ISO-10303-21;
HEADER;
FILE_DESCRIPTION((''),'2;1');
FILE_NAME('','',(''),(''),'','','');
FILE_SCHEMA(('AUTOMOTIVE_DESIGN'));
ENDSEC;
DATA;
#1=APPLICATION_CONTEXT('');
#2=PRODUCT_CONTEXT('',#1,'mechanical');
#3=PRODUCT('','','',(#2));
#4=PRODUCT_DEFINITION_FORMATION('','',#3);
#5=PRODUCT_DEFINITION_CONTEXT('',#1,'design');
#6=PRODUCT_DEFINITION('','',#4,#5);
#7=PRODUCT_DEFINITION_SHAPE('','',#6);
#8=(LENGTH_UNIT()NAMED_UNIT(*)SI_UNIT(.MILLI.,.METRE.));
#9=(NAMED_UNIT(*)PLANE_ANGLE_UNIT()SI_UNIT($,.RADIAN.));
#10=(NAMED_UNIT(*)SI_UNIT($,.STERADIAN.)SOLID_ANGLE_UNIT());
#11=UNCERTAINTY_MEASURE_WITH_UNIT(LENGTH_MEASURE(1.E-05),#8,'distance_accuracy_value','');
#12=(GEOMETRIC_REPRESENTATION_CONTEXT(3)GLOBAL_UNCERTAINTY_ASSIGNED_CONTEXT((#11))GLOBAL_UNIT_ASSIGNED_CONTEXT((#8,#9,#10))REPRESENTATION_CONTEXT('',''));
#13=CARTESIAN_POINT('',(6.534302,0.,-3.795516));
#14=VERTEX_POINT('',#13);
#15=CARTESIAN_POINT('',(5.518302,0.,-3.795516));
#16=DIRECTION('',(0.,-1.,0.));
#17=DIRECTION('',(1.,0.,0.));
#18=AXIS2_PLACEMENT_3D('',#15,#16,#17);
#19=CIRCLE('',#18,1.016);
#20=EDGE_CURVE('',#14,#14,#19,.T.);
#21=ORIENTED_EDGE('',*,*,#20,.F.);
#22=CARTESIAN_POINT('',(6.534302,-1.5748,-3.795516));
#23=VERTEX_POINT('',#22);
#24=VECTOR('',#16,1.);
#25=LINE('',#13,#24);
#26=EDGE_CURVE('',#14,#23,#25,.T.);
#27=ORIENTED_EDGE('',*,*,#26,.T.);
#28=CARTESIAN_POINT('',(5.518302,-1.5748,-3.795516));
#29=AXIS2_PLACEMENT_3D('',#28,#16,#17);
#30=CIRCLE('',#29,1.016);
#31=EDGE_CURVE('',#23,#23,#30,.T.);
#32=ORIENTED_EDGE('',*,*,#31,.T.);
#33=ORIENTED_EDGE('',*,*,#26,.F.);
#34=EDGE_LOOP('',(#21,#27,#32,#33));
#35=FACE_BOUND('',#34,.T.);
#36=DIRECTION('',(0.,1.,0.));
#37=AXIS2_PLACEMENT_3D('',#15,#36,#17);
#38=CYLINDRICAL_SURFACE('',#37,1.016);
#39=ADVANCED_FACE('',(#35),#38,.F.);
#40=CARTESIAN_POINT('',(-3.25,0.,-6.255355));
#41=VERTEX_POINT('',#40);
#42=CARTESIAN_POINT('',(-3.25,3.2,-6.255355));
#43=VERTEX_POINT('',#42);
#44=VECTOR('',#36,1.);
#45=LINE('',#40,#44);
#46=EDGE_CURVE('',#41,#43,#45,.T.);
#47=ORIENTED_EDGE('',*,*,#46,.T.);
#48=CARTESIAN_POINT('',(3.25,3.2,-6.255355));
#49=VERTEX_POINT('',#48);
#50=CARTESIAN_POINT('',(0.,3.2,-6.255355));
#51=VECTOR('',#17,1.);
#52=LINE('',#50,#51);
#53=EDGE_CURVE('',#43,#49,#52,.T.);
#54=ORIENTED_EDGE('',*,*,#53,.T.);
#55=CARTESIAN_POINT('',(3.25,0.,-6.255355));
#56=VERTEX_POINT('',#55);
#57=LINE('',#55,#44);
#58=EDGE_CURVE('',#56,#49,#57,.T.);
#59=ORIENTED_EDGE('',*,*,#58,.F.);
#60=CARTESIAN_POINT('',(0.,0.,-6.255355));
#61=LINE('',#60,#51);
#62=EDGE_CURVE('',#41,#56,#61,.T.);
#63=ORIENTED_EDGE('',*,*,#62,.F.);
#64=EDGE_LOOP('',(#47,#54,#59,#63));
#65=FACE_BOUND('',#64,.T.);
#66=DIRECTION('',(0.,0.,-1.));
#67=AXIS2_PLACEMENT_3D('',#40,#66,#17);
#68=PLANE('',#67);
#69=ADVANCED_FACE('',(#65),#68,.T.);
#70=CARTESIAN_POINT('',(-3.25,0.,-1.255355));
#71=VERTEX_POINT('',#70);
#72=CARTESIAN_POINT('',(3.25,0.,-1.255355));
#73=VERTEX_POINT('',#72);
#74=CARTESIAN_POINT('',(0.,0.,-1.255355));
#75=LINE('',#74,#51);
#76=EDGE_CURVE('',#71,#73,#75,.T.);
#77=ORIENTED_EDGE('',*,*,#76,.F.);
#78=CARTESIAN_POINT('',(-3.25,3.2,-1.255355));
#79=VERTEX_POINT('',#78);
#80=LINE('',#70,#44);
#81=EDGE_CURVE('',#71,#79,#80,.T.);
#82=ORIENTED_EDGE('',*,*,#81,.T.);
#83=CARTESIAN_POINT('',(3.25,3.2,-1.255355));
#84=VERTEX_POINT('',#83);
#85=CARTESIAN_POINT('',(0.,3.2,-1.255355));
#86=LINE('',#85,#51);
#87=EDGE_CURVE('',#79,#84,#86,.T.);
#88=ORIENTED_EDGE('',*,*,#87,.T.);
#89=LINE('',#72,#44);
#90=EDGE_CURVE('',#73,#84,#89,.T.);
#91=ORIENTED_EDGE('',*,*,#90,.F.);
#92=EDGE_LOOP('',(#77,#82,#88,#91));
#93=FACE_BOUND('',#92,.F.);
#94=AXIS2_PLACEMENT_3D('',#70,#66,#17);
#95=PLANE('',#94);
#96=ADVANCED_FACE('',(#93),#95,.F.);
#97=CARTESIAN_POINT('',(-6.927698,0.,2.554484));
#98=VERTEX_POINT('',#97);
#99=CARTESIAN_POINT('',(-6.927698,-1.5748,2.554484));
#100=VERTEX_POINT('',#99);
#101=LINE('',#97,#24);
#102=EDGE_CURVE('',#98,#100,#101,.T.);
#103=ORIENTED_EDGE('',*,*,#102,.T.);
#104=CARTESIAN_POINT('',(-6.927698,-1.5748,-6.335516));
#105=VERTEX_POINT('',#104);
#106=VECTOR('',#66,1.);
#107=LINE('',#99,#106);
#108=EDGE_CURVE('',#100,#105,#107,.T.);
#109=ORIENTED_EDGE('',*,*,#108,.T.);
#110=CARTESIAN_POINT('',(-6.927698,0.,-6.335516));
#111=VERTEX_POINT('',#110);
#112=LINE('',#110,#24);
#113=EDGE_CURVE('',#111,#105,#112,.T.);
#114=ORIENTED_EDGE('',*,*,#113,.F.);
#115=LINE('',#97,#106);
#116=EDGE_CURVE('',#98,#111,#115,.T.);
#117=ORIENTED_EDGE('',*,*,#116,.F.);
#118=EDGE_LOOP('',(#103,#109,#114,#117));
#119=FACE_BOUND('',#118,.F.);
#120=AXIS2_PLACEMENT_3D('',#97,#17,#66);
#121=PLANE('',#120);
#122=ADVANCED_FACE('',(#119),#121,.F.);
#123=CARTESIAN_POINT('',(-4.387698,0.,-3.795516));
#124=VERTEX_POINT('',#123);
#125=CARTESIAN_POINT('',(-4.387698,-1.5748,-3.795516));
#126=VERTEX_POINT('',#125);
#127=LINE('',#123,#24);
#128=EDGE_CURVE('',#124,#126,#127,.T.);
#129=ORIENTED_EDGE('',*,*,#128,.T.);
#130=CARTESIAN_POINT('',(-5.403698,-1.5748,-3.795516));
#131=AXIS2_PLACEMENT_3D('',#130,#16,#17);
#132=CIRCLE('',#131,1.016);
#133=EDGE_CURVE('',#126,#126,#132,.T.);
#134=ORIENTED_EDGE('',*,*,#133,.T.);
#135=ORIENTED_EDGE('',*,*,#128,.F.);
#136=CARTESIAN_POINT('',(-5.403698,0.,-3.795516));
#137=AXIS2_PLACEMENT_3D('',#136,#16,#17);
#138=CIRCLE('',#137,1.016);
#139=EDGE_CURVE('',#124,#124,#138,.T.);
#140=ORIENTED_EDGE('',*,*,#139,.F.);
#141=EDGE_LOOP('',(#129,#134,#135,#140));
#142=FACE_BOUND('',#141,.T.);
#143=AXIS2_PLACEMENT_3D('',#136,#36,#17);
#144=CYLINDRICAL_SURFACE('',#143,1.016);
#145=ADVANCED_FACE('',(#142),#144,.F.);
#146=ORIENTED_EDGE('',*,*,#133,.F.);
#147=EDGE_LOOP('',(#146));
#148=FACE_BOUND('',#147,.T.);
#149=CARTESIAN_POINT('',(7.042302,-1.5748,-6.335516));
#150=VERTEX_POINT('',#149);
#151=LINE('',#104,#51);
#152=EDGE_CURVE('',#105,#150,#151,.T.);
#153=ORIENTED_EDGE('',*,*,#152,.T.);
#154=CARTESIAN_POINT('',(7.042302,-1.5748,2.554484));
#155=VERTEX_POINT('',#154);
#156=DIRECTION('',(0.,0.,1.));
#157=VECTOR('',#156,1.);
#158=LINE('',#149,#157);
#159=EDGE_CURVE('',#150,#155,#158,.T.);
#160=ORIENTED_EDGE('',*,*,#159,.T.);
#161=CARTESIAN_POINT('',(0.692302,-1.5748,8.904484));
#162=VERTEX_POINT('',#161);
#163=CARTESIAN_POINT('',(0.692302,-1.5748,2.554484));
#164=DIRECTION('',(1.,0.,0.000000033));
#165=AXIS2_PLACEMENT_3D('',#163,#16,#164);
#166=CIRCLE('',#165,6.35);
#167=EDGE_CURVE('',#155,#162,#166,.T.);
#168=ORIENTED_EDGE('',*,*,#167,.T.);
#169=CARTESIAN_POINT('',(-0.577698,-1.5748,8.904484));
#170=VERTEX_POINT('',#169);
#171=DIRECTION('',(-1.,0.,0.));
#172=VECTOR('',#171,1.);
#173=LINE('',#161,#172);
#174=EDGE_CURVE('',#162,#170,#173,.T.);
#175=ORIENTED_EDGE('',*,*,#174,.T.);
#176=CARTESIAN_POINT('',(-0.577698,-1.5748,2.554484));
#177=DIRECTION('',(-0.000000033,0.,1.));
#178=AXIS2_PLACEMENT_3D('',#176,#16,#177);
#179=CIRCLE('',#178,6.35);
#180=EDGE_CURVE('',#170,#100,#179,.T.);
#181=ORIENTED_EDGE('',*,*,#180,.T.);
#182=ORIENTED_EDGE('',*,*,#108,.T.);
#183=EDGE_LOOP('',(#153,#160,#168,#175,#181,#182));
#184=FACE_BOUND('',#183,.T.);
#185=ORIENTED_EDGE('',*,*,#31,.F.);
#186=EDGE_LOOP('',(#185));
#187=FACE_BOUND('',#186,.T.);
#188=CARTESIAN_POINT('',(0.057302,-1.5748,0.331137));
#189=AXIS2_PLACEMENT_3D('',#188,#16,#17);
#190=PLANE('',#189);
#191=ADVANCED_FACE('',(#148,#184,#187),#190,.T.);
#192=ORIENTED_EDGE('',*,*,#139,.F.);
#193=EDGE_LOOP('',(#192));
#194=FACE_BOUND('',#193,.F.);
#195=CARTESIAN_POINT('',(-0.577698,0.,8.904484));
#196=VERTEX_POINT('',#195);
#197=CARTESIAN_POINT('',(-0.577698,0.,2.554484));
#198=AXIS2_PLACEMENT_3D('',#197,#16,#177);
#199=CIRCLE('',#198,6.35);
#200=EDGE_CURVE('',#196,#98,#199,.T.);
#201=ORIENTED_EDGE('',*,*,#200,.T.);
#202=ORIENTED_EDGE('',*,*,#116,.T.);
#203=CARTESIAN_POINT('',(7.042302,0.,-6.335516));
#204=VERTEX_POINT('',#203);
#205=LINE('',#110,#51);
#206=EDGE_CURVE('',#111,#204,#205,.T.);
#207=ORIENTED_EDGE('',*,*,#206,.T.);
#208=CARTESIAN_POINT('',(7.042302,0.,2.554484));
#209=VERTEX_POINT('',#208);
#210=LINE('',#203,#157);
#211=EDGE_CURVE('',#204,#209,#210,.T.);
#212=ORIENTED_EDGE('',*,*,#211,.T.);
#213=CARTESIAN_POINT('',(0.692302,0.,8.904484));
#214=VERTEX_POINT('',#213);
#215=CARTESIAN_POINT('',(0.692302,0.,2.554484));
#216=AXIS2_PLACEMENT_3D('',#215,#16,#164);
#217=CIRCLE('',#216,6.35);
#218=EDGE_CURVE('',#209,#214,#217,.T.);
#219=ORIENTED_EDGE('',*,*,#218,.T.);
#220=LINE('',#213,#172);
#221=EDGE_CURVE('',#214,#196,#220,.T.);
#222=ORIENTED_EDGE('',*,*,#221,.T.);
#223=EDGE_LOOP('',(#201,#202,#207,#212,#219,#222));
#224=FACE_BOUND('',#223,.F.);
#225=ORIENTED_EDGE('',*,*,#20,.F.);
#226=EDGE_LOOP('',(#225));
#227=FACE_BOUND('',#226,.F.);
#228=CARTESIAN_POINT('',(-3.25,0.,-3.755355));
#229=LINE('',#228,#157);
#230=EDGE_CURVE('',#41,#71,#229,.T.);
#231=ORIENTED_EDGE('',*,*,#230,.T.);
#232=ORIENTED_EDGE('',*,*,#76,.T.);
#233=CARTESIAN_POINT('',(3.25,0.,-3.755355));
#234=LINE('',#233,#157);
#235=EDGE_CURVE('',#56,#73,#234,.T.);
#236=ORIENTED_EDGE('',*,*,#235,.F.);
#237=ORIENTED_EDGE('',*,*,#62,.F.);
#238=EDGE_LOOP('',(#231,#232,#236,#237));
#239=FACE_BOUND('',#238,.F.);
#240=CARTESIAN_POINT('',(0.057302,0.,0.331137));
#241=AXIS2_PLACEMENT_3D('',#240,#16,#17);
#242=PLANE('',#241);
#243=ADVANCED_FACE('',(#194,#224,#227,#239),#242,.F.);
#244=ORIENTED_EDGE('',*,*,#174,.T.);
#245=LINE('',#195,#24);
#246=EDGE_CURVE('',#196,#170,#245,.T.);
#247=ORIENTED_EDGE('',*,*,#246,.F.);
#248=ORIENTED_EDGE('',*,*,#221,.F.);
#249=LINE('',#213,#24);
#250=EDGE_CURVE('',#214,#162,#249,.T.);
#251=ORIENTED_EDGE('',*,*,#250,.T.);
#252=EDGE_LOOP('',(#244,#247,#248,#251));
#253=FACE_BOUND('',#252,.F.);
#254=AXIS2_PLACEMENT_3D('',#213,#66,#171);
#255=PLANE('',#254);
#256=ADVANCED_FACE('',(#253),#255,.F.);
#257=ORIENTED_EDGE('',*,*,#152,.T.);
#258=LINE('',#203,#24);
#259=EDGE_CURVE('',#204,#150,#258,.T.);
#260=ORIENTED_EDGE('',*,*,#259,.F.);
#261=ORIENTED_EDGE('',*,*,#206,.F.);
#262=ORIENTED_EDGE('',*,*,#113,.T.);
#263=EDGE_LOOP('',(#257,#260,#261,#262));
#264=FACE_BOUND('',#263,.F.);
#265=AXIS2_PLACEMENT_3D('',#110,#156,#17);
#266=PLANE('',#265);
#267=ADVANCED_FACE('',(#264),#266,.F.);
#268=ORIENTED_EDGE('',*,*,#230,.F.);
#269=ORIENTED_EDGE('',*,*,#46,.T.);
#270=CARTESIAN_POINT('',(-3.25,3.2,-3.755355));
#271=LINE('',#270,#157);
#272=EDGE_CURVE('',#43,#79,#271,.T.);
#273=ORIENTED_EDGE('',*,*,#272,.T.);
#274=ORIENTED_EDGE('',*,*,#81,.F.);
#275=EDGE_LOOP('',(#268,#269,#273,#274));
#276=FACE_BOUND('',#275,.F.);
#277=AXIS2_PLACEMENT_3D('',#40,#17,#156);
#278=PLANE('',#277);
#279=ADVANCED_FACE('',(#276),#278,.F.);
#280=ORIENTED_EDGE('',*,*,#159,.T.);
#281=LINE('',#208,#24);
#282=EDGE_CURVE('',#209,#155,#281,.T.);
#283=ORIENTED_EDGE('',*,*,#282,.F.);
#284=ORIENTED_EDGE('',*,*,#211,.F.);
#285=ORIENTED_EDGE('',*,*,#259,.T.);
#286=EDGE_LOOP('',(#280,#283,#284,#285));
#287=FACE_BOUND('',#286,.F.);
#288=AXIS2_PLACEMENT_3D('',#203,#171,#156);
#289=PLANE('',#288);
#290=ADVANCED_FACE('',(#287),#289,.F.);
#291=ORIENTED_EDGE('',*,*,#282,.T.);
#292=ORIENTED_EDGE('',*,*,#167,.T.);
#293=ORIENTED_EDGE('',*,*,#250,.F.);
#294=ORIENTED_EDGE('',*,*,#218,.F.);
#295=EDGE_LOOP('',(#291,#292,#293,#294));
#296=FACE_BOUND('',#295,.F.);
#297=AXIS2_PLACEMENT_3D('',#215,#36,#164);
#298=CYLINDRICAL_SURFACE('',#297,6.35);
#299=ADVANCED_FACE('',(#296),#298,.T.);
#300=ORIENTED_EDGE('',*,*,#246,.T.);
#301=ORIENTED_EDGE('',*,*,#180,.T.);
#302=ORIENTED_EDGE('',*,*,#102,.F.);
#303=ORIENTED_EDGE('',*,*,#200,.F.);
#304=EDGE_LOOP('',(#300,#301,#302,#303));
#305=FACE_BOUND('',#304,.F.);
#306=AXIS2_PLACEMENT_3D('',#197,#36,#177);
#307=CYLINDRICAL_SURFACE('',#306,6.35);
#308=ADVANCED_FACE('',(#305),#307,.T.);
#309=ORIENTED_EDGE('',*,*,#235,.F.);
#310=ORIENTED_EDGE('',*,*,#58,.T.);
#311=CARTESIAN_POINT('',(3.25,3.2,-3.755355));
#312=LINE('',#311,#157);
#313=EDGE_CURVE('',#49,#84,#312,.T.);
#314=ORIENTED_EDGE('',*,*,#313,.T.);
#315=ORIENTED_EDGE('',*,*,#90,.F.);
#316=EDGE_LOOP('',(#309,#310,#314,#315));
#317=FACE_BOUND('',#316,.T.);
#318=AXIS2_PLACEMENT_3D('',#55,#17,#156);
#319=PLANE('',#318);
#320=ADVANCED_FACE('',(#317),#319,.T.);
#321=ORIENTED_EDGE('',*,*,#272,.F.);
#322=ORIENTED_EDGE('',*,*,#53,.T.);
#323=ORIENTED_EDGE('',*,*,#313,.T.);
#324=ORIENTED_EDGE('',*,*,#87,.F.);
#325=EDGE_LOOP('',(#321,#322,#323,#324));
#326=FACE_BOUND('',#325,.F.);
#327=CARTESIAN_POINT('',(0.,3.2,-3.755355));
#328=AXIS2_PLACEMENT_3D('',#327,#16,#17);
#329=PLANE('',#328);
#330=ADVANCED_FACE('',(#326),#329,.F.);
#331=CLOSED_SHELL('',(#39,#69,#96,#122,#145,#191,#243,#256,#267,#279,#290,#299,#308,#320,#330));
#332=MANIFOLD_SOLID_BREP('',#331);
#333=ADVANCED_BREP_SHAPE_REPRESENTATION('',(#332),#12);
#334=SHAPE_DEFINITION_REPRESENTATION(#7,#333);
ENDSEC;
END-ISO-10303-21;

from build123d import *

# Parameters (mm, degrees)
F0_R     = 1.016
F1_DEPTH = 1.5748
F2_W     = 6.5
F2_H     = 5
F3_DEPTH = 3.2


with BuildPart() as f1:
    # F0 (on Front) → F1 (new body)
    with BuildSketch(Plane.XZ):
        with BuildLine():
            Line((0.692302, 8.904484), (-0.577698, 8.904484))
            ThreePointArc((-0.577698, 8.904484), (-5.067826, 7.044612), (-6.927698, 2.554484))
            Line((-6.927698, 2.554484), (-6.927698, -6.335516))
            Line((-6.927698, -6.335516), (7.042302, -6.335516))
            Line((7.042302, -6.335516), (7.042302, 2.554484))
            ThreePointArc((7.042302, 2.554484), (5.18243, 7.044612), (0.692302, 8.904484))
        make_face()
        with Locations((-5.403698, -3.795516)):
            Circle(F0_R, mode=Mode.SUBTRACT)
        with Locations((5.518302, -3.795516)):
            Circle(F0_R, mode=Mode.SUBTRACT)
    extrude(amount=F1_DEPTH)

    # F2 (on face) → F3 (join)
    with BuildSketch(Plane.XZ):
        with Locations((0, -3.755355)):
            Rectangle(F2_W, F2_H)
    extrude(amount=-F3_DEPTH)


solid = f1.part
